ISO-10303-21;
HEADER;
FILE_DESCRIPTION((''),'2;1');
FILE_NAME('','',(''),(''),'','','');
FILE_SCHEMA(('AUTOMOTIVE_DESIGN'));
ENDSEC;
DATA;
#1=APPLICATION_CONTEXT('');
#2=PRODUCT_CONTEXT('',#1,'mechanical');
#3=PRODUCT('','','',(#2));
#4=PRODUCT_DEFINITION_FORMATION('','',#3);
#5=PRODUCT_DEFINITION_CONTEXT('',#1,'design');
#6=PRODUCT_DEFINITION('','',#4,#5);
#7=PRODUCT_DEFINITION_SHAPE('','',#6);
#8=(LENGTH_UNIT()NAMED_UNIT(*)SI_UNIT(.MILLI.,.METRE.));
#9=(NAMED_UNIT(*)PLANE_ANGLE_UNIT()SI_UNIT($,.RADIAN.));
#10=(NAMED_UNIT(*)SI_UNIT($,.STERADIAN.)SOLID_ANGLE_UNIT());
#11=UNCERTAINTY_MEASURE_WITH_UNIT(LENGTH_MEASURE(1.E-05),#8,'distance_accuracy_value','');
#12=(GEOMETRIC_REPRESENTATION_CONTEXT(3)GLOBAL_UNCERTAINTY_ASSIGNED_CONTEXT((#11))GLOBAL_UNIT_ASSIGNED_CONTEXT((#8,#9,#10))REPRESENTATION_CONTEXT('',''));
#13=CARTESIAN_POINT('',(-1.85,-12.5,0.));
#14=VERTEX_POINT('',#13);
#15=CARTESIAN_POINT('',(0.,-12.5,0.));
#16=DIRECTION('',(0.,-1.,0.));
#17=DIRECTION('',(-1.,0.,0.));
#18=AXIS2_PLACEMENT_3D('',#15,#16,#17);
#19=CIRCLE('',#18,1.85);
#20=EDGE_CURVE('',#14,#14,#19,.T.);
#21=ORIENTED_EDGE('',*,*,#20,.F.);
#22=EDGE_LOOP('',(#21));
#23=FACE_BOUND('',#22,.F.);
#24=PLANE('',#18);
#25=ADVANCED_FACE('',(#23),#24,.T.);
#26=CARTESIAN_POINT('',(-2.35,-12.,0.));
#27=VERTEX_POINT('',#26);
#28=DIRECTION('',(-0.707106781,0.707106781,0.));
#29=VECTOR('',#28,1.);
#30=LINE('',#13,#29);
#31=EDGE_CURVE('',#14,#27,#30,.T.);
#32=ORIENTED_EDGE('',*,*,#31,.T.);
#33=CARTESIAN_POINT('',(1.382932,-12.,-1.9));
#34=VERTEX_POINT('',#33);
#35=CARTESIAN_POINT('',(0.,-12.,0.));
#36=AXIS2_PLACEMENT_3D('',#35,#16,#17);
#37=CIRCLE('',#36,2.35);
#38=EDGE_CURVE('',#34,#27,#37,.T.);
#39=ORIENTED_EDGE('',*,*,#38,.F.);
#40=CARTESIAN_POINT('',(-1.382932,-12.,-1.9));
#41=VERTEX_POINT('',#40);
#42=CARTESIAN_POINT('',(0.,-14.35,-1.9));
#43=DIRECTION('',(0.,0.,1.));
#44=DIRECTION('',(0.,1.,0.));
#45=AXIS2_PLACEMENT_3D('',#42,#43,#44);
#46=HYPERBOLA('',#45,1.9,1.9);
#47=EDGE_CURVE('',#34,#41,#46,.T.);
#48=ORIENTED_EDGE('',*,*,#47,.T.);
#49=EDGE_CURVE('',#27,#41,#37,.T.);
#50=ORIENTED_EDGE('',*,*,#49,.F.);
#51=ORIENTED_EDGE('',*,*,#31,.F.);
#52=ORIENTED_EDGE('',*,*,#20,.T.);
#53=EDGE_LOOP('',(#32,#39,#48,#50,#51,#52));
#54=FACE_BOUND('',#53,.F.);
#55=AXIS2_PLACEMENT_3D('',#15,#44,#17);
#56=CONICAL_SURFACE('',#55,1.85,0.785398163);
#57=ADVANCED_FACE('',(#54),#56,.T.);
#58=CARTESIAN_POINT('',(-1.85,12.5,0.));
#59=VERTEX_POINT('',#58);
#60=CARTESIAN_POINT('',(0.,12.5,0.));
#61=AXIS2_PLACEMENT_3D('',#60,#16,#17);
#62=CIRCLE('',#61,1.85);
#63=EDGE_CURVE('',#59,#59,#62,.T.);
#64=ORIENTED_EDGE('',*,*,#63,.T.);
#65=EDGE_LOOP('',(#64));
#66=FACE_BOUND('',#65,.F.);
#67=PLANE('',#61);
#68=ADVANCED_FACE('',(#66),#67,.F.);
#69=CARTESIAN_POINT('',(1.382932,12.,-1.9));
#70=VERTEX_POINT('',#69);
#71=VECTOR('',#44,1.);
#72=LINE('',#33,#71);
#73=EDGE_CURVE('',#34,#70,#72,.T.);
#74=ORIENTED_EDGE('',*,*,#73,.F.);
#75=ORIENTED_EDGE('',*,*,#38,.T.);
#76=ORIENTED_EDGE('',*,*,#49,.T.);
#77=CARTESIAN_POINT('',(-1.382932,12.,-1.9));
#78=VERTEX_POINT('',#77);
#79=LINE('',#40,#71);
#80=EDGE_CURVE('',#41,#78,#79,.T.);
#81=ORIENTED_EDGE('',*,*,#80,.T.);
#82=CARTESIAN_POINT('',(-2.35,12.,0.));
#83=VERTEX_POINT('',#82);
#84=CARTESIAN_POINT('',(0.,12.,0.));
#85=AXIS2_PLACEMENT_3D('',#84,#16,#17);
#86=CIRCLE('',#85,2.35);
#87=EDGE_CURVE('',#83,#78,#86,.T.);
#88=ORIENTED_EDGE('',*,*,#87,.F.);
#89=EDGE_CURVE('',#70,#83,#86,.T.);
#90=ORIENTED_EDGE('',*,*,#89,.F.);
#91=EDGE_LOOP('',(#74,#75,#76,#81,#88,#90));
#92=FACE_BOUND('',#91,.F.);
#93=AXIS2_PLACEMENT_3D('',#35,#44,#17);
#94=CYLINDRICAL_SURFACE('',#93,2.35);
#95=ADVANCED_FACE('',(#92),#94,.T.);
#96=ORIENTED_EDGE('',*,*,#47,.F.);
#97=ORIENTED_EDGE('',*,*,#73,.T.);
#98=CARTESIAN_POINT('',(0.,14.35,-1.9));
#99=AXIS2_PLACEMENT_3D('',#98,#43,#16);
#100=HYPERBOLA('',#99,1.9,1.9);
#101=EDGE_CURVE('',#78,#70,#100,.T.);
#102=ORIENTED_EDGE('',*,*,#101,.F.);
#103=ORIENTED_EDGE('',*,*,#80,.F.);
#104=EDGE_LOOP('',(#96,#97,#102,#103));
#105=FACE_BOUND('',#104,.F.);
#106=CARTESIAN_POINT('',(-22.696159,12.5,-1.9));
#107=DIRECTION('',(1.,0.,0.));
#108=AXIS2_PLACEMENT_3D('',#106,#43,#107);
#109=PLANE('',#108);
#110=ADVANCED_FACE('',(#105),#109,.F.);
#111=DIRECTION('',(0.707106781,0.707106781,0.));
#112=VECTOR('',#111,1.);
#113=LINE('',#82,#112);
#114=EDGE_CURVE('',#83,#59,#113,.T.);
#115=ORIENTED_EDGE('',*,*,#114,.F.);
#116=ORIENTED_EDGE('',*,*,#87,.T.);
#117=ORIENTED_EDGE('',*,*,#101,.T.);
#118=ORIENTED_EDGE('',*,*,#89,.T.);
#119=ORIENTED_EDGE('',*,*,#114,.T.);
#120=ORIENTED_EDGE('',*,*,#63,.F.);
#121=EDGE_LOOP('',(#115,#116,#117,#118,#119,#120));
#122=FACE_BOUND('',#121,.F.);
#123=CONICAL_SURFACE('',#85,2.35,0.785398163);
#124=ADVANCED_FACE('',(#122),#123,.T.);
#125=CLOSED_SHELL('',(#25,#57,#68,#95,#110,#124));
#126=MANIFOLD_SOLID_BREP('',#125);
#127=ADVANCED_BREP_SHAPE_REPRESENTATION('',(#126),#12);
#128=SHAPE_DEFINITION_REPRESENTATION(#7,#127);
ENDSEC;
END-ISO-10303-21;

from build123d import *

# Parameters (mm, degrees)
CUT_EXTRUDE1_DEPTH = 26


with BuildPart() as part:
    # Sketch1 → Revolve1 (revolve)
    with BuildSketch(Plane.XY):
        Polygon((0, -12.5), (-1.85, -12.5), (-2.35, -12), (-2.35, 12), (-1.85, 12.5), (0, 12.5), align=None)
    revolve(axis=Axis((0, 12.5, 0), (0, -1, 0)))

    # Sketch2 → Cut-Extrude1 (cut, through all)
    with BuildSketch(Plane(origin=(0, 12.5, 0), x_dir=(1, 0, 0), z_dir=(0, 1, 0))):
        Polygon((-22.69615912, 1.9), (-1.382931669, 1.9), (1.382931669, 1.9), (22.69615912, 1.9), (22.69615912, 44.526454903), (-22.69615912, 44.526454903), align=None)
    extrude(amount=-CUT_EXTRUDE1_DEPTH, mode=Mode.SUBTRACT)


solid = part.part
